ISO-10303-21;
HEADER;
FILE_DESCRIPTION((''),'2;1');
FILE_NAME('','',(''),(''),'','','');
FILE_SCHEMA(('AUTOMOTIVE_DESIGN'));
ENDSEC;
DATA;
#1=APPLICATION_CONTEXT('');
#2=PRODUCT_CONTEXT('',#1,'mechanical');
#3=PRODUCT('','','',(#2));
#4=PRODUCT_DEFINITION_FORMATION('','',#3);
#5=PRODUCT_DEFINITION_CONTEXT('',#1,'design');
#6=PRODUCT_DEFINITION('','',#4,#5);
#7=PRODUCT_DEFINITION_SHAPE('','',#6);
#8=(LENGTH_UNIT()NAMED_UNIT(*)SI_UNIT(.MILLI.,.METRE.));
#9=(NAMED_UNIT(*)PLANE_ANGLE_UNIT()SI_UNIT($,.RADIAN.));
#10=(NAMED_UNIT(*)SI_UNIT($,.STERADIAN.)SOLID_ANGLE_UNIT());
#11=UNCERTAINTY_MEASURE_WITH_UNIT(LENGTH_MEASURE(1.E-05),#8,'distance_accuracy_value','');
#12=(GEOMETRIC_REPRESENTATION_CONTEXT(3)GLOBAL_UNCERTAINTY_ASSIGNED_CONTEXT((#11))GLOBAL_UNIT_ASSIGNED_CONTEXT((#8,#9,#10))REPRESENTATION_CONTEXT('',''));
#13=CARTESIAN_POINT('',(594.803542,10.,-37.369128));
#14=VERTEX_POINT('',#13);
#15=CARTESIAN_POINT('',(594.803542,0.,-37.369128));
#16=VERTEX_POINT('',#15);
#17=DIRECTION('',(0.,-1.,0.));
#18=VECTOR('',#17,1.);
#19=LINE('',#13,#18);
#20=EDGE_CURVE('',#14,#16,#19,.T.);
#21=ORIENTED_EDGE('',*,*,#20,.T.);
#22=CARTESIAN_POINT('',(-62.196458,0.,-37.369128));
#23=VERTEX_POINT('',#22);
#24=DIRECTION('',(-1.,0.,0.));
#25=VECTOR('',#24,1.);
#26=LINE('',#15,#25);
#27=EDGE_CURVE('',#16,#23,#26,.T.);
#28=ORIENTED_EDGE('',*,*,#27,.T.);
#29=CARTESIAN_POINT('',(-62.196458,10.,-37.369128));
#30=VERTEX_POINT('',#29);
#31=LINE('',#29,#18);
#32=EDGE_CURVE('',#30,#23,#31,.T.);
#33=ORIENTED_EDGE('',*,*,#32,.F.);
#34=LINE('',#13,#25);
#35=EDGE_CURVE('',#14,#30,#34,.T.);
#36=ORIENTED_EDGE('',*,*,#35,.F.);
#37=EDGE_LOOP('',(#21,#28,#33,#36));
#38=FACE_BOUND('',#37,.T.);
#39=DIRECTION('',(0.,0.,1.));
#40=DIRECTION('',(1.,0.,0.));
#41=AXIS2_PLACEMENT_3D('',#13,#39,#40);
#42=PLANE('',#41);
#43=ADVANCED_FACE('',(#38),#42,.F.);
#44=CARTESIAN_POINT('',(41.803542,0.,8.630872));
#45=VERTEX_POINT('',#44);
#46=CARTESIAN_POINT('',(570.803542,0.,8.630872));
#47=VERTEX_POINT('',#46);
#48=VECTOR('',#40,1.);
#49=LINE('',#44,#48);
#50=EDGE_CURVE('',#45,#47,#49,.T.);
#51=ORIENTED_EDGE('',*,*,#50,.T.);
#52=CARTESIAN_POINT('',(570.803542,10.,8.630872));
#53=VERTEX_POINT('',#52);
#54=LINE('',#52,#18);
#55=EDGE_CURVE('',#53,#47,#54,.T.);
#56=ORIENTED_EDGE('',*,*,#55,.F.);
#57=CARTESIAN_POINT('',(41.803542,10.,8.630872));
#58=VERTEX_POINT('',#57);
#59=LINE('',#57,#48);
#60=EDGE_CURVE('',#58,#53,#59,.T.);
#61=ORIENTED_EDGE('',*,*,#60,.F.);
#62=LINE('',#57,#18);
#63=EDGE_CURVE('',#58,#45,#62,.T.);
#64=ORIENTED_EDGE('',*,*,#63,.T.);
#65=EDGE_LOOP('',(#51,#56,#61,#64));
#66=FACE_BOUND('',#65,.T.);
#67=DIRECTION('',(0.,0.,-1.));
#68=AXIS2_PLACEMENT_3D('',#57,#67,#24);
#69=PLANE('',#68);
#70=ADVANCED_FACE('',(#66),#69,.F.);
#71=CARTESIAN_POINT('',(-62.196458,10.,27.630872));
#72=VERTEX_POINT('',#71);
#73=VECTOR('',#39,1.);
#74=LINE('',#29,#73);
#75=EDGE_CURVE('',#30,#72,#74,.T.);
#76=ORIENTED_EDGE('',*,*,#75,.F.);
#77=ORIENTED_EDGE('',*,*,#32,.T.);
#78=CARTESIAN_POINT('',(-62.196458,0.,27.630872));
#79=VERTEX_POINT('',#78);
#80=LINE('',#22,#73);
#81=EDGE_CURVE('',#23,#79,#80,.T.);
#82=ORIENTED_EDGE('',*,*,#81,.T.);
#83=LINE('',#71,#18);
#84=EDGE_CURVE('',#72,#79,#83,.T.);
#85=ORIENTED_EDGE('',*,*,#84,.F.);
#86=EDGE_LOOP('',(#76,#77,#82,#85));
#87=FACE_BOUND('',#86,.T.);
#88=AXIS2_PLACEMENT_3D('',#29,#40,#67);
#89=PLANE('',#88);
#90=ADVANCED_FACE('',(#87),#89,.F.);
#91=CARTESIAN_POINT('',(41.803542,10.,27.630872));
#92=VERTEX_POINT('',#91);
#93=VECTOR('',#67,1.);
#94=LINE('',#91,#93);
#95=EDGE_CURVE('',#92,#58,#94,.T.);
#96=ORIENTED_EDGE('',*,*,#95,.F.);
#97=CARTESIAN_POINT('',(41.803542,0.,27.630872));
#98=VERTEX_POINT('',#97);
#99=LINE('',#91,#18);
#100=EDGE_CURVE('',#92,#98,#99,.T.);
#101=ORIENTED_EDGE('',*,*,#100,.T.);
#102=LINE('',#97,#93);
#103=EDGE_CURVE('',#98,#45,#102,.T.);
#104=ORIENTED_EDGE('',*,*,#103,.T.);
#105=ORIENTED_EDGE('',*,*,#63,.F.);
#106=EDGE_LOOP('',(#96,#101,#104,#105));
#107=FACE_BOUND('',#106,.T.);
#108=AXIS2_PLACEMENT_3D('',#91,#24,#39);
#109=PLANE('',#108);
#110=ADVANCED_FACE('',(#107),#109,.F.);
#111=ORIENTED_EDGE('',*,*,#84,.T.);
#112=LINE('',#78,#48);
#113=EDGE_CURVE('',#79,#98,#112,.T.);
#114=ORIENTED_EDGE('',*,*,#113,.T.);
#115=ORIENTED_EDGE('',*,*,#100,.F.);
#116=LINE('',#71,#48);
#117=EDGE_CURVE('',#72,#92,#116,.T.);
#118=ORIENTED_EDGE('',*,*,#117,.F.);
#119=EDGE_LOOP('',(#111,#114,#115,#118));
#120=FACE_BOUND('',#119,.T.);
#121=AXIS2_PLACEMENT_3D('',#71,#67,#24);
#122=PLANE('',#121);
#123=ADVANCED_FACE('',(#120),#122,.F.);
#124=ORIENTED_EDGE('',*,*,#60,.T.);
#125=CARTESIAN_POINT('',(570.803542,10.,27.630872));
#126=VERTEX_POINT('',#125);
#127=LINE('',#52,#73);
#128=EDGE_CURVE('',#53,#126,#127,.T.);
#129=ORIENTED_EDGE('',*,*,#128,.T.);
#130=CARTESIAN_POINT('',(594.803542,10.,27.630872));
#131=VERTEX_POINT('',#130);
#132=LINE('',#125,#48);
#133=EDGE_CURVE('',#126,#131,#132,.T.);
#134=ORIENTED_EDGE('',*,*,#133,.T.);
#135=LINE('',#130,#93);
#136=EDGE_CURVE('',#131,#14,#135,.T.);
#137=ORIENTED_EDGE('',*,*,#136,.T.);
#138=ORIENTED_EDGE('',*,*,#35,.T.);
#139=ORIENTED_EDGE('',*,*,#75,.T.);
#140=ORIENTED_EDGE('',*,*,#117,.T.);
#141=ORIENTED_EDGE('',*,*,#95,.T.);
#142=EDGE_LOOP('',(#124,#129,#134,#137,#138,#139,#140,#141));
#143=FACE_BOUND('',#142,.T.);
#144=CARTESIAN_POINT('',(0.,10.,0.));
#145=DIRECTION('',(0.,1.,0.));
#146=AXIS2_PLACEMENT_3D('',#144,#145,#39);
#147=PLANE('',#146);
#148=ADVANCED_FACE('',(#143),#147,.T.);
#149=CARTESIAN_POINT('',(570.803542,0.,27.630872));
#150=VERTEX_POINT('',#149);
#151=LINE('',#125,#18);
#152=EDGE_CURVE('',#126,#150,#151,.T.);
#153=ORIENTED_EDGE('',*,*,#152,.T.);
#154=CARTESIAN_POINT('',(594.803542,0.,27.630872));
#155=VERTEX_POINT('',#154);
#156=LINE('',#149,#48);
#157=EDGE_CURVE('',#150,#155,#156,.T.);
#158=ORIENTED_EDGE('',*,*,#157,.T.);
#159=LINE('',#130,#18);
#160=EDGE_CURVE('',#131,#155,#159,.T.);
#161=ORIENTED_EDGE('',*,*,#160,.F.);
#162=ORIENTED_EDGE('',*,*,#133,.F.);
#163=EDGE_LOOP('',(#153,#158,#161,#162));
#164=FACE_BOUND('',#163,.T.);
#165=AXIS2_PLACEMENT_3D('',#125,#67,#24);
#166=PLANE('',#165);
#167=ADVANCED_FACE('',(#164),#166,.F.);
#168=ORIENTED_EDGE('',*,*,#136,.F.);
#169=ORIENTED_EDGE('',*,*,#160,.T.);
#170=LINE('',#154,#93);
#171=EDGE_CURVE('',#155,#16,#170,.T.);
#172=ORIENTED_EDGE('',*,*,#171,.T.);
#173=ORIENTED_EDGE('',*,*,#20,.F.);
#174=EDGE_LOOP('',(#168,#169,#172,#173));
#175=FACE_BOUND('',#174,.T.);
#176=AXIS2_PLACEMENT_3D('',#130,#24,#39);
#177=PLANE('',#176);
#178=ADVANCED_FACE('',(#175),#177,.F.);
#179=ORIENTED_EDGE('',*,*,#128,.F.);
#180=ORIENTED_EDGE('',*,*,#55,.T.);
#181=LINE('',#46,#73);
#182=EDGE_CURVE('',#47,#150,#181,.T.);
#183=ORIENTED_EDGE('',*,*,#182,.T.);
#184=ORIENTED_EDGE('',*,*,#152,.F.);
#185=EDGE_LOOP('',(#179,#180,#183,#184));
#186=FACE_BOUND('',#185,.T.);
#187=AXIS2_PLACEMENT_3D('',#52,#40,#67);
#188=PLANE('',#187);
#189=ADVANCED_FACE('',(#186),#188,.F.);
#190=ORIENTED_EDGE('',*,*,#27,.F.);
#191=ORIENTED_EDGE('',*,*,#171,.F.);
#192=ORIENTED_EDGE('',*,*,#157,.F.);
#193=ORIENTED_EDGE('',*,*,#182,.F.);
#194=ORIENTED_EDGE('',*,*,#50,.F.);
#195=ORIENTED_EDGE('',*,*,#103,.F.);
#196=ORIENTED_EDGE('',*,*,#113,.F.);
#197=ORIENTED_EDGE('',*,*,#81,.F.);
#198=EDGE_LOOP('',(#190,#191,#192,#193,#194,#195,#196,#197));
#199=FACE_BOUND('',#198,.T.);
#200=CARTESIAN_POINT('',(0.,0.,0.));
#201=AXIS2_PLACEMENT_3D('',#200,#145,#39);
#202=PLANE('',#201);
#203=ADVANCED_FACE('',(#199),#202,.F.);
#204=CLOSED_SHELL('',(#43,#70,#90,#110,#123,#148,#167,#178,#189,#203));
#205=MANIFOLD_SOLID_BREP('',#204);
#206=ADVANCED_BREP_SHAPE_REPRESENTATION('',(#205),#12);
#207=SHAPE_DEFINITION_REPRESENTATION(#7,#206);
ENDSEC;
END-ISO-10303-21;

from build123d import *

# Parameters (mm, degrees)
BOSS_EXTRUDE1_DEPTH = 10


with BuildPart() as part:
    # Sketch1 → Boss-Extrude1 (new body)
    with BuildSketch(Plane(origin=(0, 0, 0), x_dir=(1, 0, 0), z_dir=(0, 1, 0))):
        Polygon((-62.196458392, 37.369127517), (-62.196458392, -27.630872483), (41.803541608, -27.630872483), (41.803541608, -8.630872483), (570.803541608, -8.630872483), (570.803541608, -27.630872483), (594.803541608, -27.630872483), (594.803541608, 37.369127517), align=None)
    extrude(amount=BOSS_EXTRUDE1_DEPTH)


solid = part.part
